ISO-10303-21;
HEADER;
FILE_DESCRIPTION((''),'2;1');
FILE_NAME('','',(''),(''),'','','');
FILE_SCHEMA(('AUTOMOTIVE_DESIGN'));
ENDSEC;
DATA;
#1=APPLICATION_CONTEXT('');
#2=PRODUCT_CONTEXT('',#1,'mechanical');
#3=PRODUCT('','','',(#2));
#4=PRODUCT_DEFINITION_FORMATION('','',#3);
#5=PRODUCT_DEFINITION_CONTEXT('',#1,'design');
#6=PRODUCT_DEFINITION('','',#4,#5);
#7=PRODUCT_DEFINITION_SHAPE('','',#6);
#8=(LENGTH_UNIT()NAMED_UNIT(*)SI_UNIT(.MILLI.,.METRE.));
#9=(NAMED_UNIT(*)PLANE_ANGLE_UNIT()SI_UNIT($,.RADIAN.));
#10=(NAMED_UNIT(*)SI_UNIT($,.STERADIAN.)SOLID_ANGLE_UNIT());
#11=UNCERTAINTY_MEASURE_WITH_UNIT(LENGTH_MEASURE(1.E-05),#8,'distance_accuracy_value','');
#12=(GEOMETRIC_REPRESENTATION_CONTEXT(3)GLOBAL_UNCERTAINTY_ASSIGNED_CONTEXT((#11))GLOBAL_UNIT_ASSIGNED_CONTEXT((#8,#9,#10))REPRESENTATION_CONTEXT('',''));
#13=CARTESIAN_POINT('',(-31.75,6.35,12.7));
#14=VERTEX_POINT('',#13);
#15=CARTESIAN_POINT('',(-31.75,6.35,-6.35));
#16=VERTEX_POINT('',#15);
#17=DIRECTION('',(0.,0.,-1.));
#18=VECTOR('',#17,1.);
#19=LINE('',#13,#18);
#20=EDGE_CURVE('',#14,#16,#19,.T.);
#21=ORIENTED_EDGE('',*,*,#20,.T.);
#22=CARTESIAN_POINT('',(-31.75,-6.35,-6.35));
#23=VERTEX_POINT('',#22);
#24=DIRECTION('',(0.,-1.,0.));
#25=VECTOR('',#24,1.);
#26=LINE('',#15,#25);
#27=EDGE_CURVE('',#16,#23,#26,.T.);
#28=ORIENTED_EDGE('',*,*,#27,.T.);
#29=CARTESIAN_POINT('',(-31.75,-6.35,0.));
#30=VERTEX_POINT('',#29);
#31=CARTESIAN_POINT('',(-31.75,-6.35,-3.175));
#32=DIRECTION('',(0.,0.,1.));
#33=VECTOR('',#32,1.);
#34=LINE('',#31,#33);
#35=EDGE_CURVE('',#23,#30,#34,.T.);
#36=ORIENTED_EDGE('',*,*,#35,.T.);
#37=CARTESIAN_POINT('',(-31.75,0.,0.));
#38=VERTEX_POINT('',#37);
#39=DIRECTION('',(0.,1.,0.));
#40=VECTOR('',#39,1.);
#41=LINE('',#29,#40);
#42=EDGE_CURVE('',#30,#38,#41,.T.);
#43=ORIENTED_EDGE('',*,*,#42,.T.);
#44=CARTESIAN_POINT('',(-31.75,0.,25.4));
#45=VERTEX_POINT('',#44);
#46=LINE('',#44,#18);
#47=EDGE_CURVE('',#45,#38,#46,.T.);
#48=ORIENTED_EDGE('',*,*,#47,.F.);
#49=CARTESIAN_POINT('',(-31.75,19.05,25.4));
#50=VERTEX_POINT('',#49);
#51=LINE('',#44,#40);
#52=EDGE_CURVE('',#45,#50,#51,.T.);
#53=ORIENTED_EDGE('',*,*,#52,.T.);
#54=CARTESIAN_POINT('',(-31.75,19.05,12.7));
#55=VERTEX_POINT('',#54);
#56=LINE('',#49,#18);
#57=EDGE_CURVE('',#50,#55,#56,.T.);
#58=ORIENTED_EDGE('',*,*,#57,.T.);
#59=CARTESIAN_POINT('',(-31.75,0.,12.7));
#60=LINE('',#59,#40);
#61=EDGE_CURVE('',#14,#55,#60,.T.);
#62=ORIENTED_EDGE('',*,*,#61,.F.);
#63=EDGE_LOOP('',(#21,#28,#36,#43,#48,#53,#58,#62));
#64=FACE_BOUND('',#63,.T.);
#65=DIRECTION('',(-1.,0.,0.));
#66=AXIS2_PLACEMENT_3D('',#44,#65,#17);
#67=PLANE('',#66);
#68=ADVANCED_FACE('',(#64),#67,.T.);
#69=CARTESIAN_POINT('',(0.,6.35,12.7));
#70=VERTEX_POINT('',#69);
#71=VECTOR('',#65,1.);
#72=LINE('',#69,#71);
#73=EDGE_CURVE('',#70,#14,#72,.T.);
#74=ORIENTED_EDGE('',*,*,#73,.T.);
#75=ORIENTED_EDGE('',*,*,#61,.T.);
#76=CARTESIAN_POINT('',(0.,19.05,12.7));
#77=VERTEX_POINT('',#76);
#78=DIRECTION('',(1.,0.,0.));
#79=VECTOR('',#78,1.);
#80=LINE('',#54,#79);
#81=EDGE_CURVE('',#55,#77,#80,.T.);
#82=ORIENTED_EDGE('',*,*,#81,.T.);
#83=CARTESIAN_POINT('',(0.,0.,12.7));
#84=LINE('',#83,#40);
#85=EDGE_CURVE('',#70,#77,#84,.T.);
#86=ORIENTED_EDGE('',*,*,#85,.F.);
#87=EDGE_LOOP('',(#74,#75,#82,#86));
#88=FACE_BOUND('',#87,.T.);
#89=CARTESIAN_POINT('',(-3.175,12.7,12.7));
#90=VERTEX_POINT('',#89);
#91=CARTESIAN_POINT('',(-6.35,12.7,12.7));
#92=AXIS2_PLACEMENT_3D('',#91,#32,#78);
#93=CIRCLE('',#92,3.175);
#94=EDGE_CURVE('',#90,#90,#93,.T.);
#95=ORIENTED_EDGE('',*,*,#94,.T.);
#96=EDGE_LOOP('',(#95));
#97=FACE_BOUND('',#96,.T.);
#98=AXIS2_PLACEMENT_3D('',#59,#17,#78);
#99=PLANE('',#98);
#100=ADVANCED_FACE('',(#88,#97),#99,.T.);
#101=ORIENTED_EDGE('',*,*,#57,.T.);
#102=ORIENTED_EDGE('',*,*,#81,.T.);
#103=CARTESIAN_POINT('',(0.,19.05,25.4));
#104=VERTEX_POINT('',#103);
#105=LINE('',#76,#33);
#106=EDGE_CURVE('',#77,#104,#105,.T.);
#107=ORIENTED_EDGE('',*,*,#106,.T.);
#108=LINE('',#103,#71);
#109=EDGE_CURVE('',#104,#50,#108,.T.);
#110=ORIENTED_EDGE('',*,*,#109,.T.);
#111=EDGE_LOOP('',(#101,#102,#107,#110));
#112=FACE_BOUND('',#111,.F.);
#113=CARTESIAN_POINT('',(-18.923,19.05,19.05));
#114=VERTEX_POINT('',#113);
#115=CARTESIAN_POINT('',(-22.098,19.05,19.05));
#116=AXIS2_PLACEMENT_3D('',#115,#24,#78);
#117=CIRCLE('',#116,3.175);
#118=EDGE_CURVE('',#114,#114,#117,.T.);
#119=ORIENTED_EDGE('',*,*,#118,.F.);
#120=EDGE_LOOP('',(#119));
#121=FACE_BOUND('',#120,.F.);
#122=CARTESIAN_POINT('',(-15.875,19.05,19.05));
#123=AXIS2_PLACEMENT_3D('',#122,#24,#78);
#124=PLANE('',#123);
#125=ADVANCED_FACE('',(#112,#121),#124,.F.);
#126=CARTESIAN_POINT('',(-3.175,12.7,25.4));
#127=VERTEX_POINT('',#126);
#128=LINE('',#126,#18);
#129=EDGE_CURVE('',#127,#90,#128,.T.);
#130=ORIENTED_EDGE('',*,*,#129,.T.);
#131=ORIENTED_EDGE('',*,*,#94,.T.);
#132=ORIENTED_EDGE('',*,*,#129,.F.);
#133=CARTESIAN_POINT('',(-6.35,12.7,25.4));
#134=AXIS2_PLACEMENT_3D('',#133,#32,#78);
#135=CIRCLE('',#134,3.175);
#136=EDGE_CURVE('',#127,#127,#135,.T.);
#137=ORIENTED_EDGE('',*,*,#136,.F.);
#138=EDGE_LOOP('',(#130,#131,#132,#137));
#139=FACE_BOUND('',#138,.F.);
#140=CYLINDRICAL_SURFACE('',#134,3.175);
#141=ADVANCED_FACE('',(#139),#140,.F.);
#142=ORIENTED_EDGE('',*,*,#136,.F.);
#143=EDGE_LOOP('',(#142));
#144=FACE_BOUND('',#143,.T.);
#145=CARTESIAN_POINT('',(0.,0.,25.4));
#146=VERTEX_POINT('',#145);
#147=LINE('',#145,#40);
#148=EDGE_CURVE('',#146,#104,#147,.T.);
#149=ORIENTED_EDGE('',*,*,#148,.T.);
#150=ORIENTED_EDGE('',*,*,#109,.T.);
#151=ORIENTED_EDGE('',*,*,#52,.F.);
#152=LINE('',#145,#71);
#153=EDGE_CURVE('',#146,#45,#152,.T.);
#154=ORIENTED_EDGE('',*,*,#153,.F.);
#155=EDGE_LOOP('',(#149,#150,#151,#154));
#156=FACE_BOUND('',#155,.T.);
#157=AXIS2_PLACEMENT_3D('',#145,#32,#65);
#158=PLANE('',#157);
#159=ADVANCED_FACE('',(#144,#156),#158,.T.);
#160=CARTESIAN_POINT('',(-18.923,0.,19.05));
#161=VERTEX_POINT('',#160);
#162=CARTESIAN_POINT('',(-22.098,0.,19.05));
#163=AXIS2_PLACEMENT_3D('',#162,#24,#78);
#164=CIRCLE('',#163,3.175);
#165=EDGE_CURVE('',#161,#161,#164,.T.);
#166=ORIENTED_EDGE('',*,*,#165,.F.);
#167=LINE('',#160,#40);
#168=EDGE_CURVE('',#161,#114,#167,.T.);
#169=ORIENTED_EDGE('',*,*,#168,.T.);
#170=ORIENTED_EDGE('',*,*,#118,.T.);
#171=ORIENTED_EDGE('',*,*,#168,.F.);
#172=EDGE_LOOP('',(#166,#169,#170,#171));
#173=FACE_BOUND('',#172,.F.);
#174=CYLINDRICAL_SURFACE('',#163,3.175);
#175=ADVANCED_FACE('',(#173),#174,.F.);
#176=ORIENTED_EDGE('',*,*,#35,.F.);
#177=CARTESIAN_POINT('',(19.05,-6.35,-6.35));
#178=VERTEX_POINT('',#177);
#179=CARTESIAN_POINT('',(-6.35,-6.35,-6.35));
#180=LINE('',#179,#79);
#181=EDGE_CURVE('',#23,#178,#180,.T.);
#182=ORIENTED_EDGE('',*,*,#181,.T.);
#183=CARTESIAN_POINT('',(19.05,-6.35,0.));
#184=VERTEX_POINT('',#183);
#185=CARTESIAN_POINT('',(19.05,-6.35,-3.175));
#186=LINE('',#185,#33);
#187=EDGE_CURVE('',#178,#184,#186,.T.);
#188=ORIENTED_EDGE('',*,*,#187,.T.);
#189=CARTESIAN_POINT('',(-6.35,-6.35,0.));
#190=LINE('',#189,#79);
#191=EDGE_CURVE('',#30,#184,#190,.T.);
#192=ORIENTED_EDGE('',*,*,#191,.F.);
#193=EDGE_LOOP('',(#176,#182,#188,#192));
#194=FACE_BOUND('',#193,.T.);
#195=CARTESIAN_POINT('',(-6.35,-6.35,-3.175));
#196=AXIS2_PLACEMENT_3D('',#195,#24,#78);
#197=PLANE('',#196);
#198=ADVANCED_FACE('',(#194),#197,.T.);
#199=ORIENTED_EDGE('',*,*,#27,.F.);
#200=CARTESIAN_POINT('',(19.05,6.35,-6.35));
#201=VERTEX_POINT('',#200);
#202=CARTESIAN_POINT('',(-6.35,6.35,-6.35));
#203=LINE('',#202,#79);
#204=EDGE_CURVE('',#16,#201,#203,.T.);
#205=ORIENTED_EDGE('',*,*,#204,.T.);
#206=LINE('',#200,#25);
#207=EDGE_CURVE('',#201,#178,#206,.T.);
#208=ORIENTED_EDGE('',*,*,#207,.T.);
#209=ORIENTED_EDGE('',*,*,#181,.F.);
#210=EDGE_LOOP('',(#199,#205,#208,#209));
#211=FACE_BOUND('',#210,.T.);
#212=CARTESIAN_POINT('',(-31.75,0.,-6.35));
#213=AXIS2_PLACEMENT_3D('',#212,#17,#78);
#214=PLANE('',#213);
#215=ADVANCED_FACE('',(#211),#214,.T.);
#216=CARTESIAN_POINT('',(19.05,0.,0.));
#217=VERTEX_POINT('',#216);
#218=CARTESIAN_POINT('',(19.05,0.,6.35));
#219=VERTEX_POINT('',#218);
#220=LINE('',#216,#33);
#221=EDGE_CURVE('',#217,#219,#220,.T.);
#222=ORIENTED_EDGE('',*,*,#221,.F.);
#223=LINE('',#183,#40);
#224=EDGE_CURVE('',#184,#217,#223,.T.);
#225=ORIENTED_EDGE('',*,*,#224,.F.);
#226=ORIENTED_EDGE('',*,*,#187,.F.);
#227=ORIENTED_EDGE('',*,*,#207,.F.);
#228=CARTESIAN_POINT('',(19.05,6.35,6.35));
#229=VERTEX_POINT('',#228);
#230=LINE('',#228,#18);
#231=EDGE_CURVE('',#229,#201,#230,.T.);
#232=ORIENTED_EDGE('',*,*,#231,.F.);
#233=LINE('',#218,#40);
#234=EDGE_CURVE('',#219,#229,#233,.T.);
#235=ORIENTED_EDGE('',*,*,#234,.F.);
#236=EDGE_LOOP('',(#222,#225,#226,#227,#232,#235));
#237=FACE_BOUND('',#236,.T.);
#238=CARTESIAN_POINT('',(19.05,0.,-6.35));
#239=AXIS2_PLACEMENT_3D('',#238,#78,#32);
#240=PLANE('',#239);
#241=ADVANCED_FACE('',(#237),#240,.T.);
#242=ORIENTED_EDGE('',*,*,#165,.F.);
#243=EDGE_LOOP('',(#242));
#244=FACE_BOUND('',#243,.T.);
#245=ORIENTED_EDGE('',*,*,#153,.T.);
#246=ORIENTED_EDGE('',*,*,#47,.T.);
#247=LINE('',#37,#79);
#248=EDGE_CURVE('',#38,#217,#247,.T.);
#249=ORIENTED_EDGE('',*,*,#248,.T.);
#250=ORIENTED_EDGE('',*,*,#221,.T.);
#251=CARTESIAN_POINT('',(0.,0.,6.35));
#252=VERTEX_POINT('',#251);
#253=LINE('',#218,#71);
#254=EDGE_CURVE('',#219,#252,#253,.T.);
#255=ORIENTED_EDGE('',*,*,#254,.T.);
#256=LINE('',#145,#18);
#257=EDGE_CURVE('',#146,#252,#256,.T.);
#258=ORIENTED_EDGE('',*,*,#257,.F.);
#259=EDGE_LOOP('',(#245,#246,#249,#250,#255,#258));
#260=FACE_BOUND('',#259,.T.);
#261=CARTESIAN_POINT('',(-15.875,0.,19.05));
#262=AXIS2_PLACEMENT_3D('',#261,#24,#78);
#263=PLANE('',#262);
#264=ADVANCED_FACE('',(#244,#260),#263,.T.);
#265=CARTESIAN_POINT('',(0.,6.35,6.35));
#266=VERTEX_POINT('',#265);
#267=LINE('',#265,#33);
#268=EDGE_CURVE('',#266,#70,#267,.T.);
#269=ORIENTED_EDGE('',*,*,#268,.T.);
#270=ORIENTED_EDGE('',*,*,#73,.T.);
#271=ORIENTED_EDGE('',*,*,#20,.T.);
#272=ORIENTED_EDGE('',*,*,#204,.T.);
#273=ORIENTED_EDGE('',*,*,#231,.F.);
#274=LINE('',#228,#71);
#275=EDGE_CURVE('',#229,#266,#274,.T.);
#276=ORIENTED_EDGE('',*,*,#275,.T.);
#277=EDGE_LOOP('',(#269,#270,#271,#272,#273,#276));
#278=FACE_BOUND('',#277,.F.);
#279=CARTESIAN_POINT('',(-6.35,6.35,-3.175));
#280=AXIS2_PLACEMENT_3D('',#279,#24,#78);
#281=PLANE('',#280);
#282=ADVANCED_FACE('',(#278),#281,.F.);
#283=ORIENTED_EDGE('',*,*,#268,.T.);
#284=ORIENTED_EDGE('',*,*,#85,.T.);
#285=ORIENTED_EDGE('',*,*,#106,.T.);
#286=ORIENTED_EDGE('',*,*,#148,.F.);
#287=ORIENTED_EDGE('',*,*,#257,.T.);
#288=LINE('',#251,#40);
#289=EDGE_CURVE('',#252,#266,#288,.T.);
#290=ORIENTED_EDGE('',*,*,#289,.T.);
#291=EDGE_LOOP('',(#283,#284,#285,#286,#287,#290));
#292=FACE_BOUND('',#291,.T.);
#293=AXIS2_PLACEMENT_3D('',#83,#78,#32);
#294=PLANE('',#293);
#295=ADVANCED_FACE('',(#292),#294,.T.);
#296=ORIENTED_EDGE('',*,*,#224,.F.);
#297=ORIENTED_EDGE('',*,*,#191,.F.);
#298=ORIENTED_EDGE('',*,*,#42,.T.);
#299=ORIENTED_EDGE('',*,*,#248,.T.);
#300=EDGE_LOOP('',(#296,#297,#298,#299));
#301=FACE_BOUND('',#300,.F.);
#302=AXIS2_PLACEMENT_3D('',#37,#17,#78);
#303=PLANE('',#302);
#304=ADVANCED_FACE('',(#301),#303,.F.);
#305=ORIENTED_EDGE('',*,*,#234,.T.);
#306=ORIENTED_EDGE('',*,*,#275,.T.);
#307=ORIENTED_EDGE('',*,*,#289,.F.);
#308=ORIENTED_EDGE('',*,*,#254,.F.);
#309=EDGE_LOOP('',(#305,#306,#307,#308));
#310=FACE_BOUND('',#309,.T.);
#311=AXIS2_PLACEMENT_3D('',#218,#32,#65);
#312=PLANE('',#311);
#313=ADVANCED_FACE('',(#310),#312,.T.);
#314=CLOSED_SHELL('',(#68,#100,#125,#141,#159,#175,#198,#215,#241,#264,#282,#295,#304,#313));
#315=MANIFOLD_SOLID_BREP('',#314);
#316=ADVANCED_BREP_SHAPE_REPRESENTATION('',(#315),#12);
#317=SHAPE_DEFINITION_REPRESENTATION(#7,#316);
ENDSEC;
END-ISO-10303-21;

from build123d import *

# Parameters (mm, degrees)
F1_DEPTH = 6.35
F2_W     = 50.8
F2_H     = 6.35
F3_DEPTH = 6.35
F4_R     = 3.175
F5_DEPTH = 19.05
F6_R     = 3.175
F7_DEPTH = 31.751


with BuildPart() as f1:
    # F0 (on Front) → F1 (new body)
    with BuildSketch(Plane.XZ):
        Polygon((19.05, 6.35), (0, 6.35), (0, 12.7), (-31.75, 12.7), (-31.75, 0), (19.05, 0), align=None)
    extrude(amount=-F1_DEPTH)

    # F2 (on Front) → F3 (join, symmetric)
    with BuildSketch(Plane.XZ):
        with Locations((-6.35, -3.175)):
            Rectangle(F2_W, F2_H)
    extrude(amount=F3_DEPTH, both=True)

    # F4 (on Front) → F5 (join)
    with BuildSketch(Plane.XZ):
        Polygon((-21.647636, 12.7), (0, 12.7), (0, 25.4), (-31.75, 25.4), (-31.75, 12.7), align=None)
        with Locations((-22.098, 19.05)):
            Circle(F4_R, mode=Mode.SUBTRACT)
    extrude(amount=-F5_DEPTH)

    # F6 (on face) → F7 (cut, through all)
    with BuildSketch(Plane.XY.offset(25.4)):
        with Locations((-6.35, 12.7)):
            Circle(F6_R)
    extrude(amount=-F7_DEPTH, mode=Mode.SUBTRACT)


solid = f1.part
